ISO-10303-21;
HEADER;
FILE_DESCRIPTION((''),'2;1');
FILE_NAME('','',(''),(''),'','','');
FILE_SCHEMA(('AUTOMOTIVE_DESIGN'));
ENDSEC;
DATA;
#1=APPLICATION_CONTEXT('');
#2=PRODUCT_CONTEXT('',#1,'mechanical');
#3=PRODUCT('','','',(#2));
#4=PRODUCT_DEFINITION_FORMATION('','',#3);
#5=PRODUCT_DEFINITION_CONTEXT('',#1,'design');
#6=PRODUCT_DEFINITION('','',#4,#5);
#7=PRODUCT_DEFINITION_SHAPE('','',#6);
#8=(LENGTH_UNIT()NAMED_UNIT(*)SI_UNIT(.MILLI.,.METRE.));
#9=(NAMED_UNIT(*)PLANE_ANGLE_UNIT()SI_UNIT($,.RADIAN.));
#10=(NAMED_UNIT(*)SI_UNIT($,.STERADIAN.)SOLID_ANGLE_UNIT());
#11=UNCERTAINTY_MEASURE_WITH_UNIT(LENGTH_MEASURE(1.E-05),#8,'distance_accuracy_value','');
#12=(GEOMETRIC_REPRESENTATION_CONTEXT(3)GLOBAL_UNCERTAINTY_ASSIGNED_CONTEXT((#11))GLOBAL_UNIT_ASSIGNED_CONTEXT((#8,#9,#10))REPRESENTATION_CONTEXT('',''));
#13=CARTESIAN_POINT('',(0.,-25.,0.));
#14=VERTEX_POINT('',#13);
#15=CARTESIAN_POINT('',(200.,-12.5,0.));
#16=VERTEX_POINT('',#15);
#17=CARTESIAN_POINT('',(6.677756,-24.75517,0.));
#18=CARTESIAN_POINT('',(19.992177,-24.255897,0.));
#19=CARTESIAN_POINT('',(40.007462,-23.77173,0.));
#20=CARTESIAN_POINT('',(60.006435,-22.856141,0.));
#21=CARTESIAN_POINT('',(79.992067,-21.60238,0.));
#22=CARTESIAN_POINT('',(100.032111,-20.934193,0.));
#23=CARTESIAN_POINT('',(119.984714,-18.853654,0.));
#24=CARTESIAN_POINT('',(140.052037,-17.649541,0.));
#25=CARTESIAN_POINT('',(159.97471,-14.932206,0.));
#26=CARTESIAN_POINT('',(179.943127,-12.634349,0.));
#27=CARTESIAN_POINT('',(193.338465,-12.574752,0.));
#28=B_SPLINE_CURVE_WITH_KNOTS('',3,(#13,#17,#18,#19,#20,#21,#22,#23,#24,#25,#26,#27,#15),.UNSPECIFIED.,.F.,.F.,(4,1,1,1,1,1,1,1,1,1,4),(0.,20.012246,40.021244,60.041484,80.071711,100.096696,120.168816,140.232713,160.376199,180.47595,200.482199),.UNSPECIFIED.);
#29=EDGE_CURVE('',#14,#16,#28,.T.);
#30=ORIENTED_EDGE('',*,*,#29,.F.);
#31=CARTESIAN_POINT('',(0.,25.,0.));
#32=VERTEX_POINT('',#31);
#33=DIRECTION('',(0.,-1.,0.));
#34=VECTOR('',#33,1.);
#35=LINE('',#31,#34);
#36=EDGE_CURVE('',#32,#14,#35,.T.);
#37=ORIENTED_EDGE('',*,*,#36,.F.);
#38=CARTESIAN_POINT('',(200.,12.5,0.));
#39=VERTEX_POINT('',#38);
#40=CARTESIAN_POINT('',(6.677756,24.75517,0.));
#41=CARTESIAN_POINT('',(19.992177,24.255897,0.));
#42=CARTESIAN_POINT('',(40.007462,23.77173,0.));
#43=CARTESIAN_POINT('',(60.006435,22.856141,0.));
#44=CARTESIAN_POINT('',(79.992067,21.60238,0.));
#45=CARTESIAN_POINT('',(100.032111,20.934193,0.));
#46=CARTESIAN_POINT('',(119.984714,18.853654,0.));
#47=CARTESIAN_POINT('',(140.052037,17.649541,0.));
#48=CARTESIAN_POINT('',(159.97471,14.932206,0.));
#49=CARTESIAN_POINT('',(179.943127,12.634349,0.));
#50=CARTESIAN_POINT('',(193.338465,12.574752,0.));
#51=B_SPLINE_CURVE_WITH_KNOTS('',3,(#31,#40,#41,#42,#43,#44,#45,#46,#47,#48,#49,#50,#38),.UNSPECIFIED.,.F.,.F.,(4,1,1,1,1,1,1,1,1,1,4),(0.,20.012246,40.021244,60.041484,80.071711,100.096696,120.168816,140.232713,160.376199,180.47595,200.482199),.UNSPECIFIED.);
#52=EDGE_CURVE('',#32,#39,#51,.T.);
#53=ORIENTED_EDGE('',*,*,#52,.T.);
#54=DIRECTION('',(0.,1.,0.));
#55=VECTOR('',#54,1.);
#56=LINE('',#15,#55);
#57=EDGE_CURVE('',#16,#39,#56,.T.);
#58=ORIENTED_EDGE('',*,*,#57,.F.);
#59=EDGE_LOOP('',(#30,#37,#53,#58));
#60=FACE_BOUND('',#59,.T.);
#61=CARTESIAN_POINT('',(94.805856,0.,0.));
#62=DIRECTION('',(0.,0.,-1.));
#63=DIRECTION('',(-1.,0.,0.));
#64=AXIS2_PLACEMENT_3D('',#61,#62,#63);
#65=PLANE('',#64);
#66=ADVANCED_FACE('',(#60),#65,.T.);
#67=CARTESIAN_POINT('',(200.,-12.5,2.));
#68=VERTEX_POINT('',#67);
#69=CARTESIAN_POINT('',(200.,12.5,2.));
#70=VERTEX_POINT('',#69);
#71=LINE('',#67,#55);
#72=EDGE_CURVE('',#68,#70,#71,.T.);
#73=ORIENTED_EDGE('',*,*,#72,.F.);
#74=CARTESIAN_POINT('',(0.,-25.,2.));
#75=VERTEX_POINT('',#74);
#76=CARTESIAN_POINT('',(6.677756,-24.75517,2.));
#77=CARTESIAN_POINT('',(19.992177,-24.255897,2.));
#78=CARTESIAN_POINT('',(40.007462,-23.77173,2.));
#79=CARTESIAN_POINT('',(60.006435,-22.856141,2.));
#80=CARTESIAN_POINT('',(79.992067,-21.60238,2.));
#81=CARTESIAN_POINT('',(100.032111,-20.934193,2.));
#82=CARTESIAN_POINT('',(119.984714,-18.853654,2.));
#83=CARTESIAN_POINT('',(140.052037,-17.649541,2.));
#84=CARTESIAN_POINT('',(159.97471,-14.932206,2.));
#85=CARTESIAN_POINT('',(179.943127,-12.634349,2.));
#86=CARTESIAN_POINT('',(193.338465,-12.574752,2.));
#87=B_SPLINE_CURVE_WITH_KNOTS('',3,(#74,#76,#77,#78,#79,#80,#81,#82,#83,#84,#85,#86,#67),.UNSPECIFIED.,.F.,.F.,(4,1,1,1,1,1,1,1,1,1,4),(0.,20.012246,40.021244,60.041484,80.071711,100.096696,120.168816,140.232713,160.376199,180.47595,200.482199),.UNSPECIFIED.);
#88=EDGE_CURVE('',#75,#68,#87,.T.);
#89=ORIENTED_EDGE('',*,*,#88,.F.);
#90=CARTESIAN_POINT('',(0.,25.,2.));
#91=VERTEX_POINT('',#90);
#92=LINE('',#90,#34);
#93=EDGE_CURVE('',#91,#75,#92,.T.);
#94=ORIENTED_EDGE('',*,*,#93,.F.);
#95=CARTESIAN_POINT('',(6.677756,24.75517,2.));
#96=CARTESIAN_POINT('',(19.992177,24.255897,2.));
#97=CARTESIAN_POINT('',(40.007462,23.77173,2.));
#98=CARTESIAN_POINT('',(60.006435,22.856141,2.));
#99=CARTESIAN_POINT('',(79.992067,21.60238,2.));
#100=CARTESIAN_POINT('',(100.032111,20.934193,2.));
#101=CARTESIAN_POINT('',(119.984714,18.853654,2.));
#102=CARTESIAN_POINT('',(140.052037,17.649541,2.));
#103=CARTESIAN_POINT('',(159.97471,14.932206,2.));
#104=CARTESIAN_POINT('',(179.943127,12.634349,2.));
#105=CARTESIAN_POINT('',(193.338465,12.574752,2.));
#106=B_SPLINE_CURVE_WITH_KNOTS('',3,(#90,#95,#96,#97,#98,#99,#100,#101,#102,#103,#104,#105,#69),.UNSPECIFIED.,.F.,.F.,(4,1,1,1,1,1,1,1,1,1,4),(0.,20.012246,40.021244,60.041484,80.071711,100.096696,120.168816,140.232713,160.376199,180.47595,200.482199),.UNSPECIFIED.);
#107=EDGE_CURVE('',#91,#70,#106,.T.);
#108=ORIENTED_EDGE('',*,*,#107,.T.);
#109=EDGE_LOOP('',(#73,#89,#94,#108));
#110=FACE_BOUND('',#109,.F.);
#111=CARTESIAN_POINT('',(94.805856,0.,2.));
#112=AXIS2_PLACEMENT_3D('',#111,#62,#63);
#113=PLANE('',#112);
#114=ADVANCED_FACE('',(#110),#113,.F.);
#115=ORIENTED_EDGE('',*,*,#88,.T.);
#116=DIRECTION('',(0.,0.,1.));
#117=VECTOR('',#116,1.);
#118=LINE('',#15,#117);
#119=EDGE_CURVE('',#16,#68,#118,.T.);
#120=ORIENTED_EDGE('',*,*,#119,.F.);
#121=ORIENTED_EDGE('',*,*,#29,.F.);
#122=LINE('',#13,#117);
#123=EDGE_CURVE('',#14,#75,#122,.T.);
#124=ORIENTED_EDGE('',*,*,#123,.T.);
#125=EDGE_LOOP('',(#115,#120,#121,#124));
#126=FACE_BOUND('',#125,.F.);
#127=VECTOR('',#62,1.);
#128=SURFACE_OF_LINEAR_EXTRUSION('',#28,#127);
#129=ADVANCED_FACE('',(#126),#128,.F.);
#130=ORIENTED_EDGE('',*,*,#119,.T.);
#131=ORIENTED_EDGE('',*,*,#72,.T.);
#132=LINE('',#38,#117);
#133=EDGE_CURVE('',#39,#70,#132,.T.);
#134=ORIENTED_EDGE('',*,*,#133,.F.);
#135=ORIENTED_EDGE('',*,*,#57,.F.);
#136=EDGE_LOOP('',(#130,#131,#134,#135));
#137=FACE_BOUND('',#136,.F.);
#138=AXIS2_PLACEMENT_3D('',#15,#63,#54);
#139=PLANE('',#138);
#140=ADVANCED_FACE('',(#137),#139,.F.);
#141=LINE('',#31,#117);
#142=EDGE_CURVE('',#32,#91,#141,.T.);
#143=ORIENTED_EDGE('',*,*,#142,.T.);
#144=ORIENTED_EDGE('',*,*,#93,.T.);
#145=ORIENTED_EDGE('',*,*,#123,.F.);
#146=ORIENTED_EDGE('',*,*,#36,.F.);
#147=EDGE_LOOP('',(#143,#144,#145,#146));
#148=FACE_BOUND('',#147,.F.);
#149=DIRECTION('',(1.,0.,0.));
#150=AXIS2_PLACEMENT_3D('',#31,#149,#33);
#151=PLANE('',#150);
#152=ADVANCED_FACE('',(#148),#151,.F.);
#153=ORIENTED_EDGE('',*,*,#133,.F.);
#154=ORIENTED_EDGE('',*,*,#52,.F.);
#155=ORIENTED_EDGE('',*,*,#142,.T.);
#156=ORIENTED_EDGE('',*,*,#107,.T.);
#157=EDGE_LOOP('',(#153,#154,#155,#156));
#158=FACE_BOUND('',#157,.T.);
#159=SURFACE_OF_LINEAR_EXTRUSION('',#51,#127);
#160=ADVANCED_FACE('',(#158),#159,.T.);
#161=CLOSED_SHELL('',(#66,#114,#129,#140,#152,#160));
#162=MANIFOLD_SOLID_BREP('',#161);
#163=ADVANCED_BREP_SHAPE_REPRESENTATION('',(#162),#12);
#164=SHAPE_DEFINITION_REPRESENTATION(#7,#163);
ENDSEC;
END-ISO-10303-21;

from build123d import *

# Parameters (mm, degrees)
F1_DEPTH = 2


with BuildPart() as f1:
    # F0 (on Top) → F1 (new body)
    with BuildSketch(Plane.XY):
        with BuildLine():
            add(Edge.make_bspline(
                [(0, 25), (6.677756, 24.75517), (19.992177, 24.255897), (40.007462, 23.77173), (60.006435, 22.856141), (79.992067, 21.60238), (100.032111, 20.934193), (119.984714, 18.853654), (140.052037, 17.649541), (159.97471, 14.932206), (179.943127, 12.634349), (193.338465, 12.574752), (200, 12.5)],
                knots=[0, 0, 0, 0, 20.012246, 40.021244, 60.041484, 80.071711, 100.096696, 120.168816, 140.232713, 160.376199, 180.47595, 200.482199, 200.482199, 200.482199, 200.482199], degree=3))
            Line((0, 25), (0, -25))
            add(Edge.make_bspline(
                [(0, -25), (6.677756, -24.75517), (19.992177, -24.255897), (40.007462, -23.77173), (60.006435, -22.856141), (79.992067, -21.60238), (100.032111, -20.934193), (119.984714, -18.853654), (140.052037, -17.649541), (159.97471, -14.932206), (179.943127, -12.634349), (193.338465, -12.574752), (200, -12.5)],
                knots=[0, 0, 0, 0, 20.012246, 40.021244, 60.041484, 80.071711, 100.096696, 120.168816, 140.232713, 160.376199, 180.47595, 200.482199, 200.482199, 200.482199, 200.482199], degree=3))
            Line((200, -12.5), (200, 12.5))
        make_face()
    extrude(amount=F1_DEPTH)


solid = f1.part
